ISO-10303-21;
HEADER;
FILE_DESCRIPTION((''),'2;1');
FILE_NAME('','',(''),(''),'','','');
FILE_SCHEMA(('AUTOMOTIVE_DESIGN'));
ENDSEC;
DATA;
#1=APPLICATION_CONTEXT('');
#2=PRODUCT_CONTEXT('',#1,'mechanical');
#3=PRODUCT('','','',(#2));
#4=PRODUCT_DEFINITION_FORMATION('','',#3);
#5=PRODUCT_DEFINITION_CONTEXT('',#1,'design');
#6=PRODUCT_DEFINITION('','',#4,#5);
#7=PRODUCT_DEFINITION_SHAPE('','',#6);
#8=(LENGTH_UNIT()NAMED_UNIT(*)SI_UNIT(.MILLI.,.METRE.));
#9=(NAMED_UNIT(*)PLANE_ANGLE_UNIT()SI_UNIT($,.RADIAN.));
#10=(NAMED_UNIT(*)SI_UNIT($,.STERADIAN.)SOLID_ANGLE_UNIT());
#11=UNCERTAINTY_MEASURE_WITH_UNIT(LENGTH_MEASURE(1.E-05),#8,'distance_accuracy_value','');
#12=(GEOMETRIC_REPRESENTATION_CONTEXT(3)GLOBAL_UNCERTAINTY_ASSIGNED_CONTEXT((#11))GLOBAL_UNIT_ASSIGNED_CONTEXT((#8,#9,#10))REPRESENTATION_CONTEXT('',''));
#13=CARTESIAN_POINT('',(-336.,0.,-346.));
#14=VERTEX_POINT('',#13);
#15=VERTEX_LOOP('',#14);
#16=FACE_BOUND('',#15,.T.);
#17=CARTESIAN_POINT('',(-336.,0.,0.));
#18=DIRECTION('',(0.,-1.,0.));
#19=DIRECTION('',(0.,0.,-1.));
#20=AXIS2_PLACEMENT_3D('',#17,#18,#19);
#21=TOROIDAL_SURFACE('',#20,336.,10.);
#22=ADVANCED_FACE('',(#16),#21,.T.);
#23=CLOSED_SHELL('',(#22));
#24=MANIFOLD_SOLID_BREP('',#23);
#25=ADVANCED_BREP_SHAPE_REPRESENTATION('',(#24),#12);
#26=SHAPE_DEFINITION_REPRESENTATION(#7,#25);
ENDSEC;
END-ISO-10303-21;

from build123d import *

# Parameters (mm, degrees)
ESQUISSE1_R = 10


with BuildPart() as part:
    # Esquisse1 → Révolution1 (revolve)
    with BuildSketch(Plane.XY, mode=Mode.PRIVATE) as r_volution1_sk:
        Circle(ESQUISSE1_R)
    revolve(r_volution1_sk.sketch.rotate(Axis((-336, 0, 0), (0, 1, 0)), 90), axis=Axis((-336, 0, 0), (0, 1, 0)))


solid = part.part
